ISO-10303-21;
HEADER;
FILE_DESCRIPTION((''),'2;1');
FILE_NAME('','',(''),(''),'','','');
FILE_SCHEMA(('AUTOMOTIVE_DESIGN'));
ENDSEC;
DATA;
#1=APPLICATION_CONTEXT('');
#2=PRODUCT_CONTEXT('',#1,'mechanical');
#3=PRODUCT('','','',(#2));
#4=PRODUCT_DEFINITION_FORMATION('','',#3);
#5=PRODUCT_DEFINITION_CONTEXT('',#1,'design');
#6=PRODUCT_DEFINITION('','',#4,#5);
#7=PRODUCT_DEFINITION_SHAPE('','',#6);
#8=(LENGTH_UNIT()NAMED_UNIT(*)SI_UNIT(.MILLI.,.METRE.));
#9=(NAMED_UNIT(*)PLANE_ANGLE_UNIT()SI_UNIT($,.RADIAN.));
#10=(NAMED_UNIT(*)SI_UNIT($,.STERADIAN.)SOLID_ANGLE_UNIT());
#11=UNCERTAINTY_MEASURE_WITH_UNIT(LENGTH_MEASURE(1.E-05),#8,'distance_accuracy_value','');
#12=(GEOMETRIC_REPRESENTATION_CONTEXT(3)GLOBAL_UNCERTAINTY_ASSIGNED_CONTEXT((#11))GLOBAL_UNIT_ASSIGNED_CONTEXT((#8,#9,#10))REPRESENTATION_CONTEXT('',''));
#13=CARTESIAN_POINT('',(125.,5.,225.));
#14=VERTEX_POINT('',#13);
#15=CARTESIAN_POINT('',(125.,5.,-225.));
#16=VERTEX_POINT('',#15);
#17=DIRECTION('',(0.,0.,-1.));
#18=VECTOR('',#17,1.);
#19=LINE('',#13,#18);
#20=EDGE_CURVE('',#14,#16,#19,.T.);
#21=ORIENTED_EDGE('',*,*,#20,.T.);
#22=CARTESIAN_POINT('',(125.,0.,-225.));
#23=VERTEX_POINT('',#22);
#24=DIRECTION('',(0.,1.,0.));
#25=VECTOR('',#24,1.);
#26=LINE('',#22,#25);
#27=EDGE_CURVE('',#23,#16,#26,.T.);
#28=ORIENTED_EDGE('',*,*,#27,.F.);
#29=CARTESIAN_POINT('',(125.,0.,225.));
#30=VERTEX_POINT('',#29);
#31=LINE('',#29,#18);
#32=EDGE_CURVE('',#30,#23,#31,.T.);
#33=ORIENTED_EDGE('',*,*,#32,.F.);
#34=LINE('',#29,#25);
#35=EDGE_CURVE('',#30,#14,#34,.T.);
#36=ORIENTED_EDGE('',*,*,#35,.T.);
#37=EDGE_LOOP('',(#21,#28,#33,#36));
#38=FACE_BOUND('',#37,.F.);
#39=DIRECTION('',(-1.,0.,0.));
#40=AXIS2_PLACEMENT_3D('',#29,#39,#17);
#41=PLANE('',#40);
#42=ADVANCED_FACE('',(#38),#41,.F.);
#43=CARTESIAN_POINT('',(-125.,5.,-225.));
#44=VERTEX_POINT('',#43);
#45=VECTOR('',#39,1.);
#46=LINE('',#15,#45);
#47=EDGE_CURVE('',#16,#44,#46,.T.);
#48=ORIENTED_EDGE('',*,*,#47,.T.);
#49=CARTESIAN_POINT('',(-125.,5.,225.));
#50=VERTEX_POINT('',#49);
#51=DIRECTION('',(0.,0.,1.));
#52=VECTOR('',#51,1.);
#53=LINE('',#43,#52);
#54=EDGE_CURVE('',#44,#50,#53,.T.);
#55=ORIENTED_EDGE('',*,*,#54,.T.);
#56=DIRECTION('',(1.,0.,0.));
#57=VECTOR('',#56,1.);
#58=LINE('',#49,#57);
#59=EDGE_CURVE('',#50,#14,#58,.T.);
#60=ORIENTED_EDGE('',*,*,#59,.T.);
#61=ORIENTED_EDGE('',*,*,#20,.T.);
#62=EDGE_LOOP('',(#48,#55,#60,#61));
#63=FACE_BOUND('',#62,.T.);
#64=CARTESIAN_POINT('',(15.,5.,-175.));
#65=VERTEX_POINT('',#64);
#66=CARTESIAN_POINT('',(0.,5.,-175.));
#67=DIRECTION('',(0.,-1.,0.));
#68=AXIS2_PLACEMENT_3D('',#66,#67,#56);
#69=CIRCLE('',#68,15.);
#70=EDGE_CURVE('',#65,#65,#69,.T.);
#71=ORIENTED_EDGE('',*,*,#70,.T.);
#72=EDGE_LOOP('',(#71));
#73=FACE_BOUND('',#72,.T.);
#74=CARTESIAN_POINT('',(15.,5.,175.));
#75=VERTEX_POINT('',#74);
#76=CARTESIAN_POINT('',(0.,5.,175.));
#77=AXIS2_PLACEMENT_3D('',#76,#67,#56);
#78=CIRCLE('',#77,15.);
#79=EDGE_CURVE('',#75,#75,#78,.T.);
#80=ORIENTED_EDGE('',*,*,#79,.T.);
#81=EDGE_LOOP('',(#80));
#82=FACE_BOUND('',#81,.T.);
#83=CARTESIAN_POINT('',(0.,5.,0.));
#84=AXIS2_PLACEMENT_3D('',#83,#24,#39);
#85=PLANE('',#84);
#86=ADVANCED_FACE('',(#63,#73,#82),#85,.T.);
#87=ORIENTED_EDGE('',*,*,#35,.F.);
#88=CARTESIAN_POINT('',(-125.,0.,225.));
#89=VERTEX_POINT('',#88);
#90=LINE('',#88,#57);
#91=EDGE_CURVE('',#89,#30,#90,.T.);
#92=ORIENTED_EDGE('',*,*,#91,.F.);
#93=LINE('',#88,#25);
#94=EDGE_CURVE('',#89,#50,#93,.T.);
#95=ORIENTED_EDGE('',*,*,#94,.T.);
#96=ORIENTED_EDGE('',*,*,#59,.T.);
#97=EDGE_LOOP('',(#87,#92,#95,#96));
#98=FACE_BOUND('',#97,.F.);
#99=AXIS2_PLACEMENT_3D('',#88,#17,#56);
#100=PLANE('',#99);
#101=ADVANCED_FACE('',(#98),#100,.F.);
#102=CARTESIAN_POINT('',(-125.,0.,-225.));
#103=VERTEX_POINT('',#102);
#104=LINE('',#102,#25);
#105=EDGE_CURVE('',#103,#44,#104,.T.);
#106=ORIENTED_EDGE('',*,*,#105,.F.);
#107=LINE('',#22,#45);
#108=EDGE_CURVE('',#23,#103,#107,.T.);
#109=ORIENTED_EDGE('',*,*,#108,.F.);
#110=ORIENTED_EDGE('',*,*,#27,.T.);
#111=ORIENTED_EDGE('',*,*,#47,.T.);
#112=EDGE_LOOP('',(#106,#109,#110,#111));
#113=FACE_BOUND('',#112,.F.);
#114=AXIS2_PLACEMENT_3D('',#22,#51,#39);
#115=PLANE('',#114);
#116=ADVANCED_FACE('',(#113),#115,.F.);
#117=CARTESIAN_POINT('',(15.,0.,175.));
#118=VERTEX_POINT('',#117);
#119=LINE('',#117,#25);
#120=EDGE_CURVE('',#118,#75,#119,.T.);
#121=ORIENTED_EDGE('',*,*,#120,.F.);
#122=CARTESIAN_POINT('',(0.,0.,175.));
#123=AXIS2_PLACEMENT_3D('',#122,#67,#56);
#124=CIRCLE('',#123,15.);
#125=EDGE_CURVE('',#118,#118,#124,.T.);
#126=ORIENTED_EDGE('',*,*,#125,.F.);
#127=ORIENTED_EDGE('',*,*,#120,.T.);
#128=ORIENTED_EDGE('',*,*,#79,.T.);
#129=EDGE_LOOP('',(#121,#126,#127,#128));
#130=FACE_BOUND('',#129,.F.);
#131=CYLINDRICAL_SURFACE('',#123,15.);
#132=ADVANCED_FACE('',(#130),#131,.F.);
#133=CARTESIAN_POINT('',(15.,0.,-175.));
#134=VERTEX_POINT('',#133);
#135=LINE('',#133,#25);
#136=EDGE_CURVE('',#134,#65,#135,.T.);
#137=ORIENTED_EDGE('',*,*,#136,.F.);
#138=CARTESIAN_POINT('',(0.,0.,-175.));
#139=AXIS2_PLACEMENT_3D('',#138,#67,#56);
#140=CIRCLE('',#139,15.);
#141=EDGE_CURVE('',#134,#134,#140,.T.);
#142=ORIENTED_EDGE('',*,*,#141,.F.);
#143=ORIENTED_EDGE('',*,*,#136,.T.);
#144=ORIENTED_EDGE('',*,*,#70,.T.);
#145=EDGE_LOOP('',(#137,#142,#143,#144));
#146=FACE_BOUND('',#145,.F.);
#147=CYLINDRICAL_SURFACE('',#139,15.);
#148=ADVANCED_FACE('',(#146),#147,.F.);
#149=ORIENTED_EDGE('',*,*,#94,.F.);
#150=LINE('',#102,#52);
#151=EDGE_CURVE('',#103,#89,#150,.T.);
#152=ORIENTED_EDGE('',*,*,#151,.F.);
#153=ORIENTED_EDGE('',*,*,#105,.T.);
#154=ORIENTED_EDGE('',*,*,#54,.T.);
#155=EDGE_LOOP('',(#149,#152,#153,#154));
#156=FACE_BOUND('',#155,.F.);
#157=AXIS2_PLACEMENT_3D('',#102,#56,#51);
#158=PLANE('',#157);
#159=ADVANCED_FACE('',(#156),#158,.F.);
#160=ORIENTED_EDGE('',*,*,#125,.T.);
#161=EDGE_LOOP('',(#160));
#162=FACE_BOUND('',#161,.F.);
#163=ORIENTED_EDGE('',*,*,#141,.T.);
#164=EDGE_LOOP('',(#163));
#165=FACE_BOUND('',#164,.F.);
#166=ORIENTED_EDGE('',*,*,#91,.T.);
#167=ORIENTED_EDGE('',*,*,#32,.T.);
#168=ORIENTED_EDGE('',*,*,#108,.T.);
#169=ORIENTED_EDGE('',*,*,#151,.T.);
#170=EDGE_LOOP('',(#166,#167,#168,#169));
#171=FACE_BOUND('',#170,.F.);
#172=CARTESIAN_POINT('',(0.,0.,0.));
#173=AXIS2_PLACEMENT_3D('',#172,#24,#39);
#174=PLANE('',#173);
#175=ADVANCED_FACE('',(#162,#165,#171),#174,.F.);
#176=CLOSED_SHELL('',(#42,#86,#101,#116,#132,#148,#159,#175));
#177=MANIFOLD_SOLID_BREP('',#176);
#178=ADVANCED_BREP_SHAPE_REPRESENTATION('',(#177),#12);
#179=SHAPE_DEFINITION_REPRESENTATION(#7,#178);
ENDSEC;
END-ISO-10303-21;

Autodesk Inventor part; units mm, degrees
ref_plane "YZ Plane" through (0, 0, 0) normal (1, 0, 0) x (0, 1, 0)
ref_plane "XZ Plane" through (0, 0, 0) normal (0, 1, 0) x (-1, 0, 0)
ref_plane "XY Plane" through (0, 0, 0) normal (0, 0, 1) x (1, 0, 0)
sketch "Sketch1" plane through (0, 0, 0) normal (0, 1, 0) x (-1, 0, 0)
  line L0 (125, 225) -> (-125, 225)
  line L1 (-125, 225) -> (-125, -225)
  line L2 (-125, -225) -> (125, -225)
  line L3 (125, -225) -> (125, 225)
  line L4 (125, 225) -> (-125, -225) construction
  line L5 (-125, 225) -> (125, -225) construction
  point P0 (0, 0)
  dimension "d0" = 250
  dimension "d1" = 450
extrude "Extrusion1" add sketch "Sketch1" along normal blind 5
sketch "Sketch2" plane through (0, 0, 0) normal (0, -1, 0) x (1, 0, 0)
  circle A0 centre (0, 175) radius 15
  line L0 (-125, 225) -> (125, 225) projected
  line L1 (-125, 0) -> (125, 0) construction
  line L2 (125, 225) -> (125, -225) construction
  circle A1 centre (0, -175) radius 15
  point P0 (0, 0)
  dimension "d4" = 30
  dimension "d5" = 50
extrude "Extrusion2" cut sketch "Sketch2" against normal blind 5
equation "\"d0\" = boxl"
equation "\"d1\" = boxw"
equation "\"d2\" = pvct"
equation "\"d6\" = pvct"
equation "\"solhole\" = 3"
equation "\"solholespacing\" = 16"
equation "\"ssolw\" = 63"
equation "\"bsoll\" = 126"
equation "\"bsolw\" = 91"
equation "\"bsolh\" = 126"
equation "\"tapl\" = 31"
equation "\"tl\" = 32"
equation "\"eloboww\" = 25"
equation "\"pvct\" = 5"
equation "\"boxw\" = 450"
equation "\"boxl\" = 250"
equation "\"boxh\" = 258"
equation "\"supporth\" = 15"
equation "\"play\" = 0.5"
equation "\"arw\" = 54"
equation "\"arl\" = 102"
equation "\"psuh\" = 85"
equation "\"screenw\" = 197"
equation "\"screenl\" = 115"
equation "\"pcbw\" = 76"
equation "\"pcbl\" = 86"
equation "\"pcbh\" = 46"
equation "\"seph\" = 105"
equation "\"diapowerouter\" = 25"
equation "\"dialoadouter\" = 25"
equation "\"diaetape\" = 25"
equation "\"distpumps\" = 75"
equation "\"diaph\" = 32"
equation "\"diaetapeouter\" = 36"
equation "\"diaphouter\" = 48"
equation "\"diaload\" = 16"
equation "\"distbubblewater\" = 82"
equation "\"diapower\" = 16"
equation "\"pumpinner\" = 16"
equation "\"airoutouter\" = 39"
equation "\"airinouter\" = 39"
equation "\"waterouter\" = 39"
equation "\"airininner\" = 28"
equation "\"waterinner\" = 28"
equation "\"airoutinner\" = 28"
equation "\"pumpouter\" = 25"
properties part number "sb_bottom" material "PVC-Piping"
